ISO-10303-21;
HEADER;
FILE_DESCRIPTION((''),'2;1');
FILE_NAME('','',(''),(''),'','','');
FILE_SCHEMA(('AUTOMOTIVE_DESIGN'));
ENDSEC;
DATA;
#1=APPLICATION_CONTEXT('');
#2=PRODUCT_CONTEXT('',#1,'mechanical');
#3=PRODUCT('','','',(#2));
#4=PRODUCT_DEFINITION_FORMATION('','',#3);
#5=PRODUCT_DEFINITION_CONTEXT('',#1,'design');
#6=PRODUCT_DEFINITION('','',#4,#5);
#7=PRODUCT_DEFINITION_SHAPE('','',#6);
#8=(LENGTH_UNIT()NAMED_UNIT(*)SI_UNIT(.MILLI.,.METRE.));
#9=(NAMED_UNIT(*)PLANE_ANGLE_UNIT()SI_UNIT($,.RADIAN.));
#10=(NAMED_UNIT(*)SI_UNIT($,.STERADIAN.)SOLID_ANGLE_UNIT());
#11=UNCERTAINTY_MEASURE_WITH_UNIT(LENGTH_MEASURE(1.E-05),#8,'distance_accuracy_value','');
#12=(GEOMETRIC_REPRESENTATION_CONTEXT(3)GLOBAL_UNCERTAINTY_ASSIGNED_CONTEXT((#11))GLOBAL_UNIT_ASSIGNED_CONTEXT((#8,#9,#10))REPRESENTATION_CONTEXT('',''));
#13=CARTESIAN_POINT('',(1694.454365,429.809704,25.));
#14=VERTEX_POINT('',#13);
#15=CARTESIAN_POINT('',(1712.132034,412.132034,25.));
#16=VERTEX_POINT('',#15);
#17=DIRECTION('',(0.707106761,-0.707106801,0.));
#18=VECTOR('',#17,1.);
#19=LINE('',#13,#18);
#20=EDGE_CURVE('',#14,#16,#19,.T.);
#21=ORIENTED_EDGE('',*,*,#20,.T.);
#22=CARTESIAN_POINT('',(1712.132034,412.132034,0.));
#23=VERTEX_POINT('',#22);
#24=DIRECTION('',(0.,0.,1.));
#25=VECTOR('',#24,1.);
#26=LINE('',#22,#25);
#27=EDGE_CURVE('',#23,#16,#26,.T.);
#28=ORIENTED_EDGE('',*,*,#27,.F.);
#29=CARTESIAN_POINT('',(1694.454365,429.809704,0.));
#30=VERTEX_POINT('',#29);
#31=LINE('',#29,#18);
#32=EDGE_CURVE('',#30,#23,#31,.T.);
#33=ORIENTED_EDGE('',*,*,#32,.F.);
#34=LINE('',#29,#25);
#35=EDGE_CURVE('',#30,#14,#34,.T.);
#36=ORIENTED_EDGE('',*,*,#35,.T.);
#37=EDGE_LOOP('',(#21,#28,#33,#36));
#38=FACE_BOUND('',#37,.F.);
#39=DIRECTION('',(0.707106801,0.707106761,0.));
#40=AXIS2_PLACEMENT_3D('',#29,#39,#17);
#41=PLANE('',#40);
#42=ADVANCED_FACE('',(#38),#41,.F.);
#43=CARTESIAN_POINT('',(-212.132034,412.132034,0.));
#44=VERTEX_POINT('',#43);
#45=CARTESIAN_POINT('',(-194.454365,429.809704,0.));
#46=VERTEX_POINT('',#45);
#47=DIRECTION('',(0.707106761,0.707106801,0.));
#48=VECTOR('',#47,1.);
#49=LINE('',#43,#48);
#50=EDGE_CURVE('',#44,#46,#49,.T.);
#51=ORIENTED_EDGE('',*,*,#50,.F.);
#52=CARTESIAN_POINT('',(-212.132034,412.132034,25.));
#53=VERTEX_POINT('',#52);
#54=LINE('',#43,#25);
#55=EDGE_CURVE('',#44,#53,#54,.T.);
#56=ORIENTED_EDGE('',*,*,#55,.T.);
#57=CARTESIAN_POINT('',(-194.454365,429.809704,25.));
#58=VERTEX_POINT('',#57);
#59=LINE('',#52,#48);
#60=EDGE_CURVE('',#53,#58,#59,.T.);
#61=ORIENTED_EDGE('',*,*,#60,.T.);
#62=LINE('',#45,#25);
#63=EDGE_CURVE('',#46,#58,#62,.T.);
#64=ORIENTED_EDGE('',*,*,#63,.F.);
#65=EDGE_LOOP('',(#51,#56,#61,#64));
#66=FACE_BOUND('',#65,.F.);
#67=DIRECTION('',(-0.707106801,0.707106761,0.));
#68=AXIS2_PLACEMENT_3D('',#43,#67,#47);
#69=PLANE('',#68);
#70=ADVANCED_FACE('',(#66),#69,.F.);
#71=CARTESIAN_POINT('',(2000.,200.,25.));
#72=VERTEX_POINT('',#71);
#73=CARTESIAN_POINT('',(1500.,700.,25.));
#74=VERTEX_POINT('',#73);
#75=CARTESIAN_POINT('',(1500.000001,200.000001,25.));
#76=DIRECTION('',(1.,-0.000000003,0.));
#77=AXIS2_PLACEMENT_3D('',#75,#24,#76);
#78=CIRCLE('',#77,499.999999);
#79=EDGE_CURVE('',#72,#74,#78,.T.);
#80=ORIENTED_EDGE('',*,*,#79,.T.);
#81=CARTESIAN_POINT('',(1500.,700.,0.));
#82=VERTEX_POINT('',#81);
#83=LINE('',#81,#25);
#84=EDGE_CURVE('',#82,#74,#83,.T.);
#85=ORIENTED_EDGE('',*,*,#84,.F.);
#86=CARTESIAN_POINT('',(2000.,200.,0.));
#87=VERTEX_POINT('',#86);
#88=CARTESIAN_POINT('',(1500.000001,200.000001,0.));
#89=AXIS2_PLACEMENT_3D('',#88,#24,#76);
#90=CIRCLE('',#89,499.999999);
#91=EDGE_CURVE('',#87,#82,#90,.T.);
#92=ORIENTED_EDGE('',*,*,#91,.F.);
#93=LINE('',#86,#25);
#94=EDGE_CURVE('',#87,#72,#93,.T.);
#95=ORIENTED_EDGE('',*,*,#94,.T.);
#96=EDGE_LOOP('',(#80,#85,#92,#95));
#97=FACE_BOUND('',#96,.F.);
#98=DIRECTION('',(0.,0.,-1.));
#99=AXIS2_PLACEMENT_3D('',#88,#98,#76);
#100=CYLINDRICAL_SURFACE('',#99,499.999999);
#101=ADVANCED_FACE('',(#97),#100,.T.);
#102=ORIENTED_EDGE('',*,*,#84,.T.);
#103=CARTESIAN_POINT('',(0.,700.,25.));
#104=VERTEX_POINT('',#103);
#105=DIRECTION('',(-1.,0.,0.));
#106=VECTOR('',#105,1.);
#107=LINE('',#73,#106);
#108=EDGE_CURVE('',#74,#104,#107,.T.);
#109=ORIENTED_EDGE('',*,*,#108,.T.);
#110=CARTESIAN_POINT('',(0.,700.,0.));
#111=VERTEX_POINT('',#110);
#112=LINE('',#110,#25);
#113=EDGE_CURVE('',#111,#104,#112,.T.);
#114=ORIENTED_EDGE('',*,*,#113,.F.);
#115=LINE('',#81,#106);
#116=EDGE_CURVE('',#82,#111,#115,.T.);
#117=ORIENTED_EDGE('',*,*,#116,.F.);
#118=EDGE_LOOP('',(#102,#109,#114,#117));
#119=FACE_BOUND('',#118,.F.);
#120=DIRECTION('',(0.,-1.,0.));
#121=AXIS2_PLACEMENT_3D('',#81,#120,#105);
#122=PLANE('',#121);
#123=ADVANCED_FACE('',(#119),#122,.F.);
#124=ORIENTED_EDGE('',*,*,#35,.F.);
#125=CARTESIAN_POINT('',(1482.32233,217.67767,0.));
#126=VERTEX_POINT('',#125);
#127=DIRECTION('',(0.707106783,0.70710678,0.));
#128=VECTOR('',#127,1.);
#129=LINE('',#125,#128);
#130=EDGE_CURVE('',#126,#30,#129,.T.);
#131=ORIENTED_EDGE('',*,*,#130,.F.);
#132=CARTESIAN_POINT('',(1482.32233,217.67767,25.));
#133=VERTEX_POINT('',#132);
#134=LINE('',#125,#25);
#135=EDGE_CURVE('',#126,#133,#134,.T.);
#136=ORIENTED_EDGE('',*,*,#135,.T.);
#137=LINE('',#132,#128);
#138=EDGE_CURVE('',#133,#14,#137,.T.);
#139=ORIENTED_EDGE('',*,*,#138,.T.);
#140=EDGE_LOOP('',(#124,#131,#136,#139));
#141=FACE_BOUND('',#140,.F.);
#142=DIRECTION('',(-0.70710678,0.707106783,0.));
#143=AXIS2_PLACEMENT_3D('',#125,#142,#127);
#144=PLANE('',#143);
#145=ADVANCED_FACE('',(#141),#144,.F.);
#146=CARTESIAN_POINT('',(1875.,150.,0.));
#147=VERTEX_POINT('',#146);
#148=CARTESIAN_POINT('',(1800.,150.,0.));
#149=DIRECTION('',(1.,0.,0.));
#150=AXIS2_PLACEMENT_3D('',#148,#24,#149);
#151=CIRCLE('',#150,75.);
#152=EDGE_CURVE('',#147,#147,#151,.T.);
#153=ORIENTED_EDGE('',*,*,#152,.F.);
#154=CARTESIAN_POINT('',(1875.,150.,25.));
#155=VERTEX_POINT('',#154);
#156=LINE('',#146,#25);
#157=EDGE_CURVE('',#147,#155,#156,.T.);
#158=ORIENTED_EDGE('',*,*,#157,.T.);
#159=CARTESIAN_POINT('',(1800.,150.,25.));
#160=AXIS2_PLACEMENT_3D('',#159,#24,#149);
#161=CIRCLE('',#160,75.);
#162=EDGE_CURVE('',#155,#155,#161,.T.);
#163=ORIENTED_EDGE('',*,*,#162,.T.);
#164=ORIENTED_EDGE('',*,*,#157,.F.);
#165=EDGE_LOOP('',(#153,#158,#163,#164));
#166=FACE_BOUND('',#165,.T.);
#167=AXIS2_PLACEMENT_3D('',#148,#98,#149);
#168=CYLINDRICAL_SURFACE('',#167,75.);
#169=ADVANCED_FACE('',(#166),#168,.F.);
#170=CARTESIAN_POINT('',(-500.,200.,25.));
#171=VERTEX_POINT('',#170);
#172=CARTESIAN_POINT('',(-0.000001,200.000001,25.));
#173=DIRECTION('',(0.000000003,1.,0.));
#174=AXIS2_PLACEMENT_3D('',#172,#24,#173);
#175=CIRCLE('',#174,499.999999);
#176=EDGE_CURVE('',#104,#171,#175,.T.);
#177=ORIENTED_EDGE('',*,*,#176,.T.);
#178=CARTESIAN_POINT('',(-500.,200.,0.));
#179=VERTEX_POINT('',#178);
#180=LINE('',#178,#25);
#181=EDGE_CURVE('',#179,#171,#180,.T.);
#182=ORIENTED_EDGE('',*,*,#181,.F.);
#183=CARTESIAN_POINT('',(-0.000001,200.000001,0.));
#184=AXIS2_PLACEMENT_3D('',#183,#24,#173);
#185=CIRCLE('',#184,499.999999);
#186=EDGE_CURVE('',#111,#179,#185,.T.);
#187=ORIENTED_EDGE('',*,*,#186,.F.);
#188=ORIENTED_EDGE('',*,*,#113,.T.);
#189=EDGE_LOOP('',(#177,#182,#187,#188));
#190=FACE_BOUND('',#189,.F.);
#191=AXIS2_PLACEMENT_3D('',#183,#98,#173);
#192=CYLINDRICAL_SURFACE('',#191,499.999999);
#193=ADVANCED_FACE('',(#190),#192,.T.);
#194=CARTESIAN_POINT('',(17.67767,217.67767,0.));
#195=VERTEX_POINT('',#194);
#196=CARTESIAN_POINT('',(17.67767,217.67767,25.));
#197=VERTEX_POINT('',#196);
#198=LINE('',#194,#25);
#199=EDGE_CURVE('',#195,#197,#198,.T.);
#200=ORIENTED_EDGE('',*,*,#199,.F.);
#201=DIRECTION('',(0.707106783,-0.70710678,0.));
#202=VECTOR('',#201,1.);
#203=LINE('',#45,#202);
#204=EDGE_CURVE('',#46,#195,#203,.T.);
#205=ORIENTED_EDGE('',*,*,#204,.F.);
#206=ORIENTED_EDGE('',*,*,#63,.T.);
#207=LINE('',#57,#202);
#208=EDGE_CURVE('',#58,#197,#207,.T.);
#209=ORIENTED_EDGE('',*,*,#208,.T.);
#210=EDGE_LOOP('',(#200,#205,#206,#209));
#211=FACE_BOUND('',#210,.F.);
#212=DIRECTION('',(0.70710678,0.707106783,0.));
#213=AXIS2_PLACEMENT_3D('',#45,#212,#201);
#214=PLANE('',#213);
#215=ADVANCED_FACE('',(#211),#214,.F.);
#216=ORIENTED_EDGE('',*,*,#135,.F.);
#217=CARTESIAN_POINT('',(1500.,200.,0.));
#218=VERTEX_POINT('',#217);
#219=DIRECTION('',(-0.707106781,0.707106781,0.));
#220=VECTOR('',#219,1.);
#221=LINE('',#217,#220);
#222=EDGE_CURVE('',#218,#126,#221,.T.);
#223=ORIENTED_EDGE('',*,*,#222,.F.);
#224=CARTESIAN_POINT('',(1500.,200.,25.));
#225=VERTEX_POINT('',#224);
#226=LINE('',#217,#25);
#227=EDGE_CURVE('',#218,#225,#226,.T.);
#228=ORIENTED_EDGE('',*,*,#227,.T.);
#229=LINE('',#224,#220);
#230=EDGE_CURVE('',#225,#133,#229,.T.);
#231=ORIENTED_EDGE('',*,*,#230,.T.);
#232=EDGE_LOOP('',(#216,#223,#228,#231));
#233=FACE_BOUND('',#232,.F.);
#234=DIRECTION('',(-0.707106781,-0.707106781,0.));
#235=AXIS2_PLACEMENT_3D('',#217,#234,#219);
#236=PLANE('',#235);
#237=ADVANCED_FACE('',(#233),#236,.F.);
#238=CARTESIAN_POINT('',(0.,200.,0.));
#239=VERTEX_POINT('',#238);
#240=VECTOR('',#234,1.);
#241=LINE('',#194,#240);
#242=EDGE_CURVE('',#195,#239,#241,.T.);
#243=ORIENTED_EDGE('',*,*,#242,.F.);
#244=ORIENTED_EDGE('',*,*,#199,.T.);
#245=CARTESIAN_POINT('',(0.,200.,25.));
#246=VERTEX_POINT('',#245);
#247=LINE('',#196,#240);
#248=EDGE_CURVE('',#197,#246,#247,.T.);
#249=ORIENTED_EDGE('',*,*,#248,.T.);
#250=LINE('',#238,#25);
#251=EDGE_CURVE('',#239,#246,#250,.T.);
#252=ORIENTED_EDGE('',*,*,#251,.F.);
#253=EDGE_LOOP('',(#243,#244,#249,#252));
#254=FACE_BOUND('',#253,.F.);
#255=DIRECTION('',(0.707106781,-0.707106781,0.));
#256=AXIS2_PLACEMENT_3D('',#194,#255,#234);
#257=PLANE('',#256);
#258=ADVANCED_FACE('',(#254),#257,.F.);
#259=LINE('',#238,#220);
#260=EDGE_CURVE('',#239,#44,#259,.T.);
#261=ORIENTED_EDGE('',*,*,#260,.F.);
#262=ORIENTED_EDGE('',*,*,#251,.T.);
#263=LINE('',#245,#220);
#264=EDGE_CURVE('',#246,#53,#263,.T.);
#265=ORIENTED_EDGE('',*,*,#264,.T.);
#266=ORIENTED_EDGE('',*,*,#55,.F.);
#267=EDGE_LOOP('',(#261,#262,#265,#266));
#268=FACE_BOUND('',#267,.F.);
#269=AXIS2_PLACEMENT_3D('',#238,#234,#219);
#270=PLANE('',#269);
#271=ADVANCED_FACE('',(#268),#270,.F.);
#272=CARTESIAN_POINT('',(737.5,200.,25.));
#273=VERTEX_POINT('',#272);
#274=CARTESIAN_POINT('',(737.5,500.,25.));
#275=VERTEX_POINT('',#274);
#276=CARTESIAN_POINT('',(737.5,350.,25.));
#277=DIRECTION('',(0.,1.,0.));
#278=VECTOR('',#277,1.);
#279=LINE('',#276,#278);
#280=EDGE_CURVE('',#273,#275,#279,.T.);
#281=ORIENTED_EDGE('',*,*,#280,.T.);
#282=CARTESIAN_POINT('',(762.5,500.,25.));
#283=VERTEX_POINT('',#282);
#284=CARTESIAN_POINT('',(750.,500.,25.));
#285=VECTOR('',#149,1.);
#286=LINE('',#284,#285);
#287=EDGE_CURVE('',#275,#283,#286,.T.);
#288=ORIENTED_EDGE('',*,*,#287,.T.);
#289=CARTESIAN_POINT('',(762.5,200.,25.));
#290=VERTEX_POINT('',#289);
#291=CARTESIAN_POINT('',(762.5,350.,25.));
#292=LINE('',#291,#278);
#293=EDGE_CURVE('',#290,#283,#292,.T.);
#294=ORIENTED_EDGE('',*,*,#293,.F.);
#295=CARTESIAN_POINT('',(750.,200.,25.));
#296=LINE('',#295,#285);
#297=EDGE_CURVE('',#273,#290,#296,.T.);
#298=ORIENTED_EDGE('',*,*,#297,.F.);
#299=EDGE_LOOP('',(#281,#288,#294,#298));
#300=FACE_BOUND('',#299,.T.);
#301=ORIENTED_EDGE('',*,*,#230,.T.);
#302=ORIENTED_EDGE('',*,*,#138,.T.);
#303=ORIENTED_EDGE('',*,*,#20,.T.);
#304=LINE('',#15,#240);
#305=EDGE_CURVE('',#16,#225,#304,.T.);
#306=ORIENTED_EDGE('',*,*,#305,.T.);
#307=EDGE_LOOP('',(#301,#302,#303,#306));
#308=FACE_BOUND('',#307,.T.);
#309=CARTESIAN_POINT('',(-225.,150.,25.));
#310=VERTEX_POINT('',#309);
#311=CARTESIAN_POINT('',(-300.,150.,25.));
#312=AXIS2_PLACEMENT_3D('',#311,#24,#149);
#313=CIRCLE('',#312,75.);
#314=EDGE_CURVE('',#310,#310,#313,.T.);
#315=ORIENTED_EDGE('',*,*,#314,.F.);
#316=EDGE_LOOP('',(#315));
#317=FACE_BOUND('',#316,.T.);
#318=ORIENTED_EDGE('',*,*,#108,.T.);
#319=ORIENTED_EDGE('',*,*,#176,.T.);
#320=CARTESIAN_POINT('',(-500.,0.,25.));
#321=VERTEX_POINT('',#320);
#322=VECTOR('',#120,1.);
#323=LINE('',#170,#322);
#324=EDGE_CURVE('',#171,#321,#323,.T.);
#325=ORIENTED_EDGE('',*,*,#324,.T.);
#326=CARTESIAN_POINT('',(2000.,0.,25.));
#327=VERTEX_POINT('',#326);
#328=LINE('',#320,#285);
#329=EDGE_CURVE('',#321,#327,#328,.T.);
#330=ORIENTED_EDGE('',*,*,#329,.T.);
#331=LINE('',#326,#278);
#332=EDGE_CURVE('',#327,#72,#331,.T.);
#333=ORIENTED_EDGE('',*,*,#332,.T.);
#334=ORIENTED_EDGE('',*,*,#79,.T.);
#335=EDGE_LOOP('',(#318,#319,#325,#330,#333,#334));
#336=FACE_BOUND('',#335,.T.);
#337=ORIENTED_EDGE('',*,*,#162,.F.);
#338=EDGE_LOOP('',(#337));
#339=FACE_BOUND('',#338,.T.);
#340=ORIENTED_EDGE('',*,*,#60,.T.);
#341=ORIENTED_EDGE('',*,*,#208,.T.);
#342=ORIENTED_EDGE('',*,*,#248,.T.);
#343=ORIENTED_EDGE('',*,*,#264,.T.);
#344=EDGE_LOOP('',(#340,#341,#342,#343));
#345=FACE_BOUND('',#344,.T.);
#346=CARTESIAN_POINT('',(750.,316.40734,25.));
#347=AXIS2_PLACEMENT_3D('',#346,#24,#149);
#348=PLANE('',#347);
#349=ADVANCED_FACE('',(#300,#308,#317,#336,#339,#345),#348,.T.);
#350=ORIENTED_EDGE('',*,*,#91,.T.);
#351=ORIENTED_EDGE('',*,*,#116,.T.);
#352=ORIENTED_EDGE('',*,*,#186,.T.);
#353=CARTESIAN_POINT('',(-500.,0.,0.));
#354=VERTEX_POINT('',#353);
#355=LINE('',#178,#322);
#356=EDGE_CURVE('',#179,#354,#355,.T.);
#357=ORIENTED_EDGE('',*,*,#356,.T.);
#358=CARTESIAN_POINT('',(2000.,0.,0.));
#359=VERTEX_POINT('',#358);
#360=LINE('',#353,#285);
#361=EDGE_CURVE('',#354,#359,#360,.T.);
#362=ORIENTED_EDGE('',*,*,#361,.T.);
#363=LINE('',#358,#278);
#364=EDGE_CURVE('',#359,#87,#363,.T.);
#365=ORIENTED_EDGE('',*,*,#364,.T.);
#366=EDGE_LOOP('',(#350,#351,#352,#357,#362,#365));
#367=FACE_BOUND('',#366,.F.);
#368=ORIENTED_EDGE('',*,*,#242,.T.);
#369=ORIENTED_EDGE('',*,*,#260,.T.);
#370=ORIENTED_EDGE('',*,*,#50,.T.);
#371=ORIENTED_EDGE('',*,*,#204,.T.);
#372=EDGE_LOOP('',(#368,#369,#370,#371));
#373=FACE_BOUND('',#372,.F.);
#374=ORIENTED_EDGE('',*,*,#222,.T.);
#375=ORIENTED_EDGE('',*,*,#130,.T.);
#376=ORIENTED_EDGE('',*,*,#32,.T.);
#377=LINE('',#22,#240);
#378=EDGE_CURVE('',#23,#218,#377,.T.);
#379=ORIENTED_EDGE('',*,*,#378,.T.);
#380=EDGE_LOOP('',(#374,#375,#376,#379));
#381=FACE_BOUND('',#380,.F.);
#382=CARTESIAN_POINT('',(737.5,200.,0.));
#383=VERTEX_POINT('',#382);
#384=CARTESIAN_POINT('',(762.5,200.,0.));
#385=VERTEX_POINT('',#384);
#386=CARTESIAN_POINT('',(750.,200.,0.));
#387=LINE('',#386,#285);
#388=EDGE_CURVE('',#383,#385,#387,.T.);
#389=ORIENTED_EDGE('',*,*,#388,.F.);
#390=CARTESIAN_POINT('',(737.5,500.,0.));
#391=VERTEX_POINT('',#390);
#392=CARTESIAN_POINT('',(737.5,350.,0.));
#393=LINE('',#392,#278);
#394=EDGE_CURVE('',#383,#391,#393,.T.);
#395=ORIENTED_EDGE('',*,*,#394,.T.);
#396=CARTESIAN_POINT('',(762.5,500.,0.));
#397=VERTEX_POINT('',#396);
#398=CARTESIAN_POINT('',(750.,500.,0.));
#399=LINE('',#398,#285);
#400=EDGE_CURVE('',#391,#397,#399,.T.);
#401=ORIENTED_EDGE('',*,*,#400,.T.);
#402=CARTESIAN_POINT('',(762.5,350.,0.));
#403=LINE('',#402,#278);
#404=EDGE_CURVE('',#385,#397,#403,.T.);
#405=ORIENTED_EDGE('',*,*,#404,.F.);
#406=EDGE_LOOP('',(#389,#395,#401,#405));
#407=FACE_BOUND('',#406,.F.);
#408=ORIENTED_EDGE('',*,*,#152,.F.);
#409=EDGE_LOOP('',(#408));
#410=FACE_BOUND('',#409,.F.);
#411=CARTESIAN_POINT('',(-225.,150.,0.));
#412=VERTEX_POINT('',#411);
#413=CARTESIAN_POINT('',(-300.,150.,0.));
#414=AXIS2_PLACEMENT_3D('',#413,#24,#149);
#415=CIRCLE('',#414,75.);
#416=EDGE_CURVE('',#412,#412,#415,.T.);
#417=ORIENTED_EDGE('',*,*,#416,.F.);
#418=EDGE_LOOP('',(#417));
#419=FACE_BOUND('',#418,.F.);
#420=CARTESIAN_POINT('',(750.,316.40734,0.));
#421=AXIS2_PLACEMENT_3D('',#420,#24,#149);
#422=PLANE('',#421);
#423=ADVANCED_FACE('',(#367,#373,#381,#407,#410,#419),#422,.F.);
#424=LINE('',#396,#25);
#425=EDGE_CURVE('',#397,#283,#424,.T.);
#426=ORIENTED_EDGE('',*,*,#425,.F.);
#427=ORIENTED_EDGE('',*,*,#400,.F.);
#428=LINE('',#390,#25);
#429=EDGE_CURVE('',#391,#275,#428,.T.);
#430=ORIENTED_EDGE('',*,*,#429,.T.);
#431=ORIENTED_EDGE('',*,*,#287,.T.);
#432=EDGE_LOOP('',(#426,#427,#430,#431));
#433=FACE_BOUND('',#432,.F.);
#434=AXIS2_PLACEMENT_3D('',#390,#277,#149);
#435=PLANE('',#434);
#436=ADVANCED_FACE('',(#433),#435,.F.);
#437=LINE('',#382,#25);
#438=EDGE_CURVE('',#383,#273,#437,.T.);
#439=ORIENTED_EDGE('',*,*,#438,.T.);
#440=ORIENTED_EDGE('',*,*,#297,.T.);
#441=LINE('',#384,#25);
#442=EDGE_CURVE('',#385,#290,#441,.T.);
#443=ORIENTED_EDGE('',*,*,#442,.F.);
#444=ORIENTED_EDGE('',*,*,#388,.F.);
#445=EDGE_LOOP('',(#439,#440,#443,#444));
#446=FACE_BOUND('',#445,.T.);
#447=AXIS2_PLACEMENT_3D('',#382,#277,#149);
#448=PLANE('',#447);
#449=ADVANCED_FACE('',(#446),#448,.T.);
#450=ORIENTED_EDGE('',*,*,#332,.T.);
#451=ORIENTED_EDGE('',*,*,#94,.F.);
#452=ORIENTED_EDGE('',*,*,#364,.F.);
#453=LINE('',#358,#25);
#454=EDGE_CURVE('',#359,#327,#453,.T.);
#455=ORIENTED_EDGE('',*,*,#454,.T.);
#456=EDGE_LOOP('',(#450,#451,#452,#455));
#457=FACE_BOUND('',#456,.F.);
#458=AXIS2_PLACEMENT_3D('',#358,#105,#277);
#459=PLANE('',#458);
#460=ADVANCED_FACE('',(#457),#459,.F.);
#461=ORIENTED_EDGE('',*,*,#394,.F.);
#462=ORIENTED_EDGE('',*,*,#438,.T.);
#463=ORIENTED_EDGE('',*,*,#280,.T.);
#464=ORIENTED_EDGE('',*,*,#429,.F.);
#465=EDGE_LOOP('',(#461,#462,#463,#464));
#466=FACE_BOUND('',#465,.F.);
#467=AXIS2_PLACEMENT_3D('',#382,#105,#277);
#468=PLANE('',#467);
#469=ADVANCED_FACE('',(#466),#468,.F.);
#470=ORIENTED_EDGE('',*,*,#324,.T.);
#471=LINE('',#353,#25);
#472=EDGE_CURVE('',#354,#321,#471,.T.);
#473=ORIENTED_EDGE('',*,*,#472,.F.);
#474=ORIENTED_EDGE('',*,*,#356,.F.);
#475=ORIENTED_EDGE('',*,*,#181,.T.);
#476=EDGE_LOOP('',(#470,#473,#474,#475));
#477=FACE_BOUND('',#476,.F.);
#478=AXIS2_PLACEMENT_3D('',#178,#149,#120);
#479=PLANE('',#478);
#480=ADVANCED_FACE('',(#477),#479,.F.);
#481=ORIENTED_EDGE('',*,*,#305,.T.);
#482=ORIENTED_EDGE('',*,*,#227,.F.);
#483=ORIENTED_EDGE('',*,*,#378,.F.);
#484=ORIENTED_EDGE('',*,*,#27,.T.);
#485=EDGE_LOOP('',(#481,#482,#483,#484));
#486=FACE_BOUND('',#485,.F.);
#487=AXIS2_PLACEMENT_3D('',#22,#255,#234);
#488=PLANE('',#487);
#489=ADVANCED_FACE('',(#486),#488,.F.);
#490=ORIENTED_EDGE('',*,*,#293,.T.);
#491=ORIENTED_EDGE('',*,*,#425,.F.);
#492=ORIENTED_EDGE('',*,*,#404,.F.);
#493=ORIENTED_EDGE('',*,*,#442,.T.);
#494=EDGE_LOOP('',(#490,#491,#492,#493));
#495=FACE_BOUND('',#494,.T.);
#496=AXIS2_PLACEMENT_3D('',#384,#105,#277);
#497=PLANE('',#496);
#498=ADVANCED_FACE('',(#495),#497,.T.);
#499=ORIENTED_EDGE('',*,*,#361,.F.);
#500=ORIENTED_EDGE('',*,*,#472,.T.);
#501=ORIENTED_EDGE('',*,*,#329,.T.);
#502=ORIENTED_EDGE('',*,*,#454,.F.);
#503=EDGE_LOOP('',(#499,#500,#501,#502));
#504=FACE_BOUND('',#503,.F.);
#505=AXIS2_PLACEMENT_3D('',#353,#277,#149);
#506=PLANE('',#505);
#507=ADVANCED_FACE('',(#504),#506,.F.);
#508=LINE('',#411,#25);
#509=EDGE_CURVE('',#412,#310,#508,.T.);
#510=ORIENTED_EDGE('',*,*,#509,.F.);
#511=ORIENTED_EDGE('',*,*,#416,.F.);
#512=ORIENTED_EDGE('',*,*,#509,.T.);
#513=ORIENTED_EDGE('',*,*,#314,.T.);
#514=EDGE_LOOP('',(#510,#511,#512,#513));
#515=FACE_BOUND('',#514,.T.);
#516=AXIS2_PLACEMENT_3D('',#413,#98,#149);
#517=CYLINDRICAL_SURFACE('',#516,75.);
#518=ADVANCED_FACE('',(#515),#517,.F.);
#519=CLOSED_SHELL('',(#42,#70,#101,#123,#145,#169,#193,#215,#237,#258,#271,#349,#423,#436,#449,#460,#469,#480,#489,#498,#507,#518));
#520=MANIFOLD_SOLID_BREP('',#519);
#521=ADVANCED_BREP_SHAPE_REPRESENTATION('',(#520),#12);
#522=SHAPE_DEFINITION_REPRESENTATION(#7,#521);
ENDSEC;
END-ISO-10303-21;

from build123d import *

# Parameters (mm, degrees)
F0_R     = 75
F0_W     = 25
F0_H     = 300
F1_DEPTH = 25


with BuildPart() as f1:
    # F0 (on Top) → F1 (new body)
    with BuildSketch(Plane.XY):
        with BuildLine():
            Line((-500, 200), (-500, 0))
            Line((-500, 0), (2000, 0))
            Line((2000, 0), (2000, 200))
            ThreePointArc((2000, 200), (1853.553391, 553.553391), (1500, 700))
            Line((1500, 700), (0, 700))
            ThreePointArc((0, 700), (-353.553391, 553.553391), (-500, 200))
        make_face()
        with Locations((-300, 150)):
            Circle(F0_R, mode=Mode.SUBTRACT)
        Polygon((17.67767, 217.67767), (0, 200), (-212.132034, 412.132034), (-194.454365, 429.809704), align=None, mode=Mode.SUBTRACT)
        with Locations((1800, 150)):
            Circle(F0_R, mode=Mode.SUBTRACT)
        with Locations((750, 350)):
            Rectangle(F0_W, F0_H, mode=Mode.SUBTRACT)
        Polygon((1712.132034, 412.132034), (1500, 200), (1482.32233, 217.67767), (1694.454365, 429.809704), align=None, mode=Mode.SUBTRACT)
    extrude(amount=F1_DEPTH)


solid = f1.part
